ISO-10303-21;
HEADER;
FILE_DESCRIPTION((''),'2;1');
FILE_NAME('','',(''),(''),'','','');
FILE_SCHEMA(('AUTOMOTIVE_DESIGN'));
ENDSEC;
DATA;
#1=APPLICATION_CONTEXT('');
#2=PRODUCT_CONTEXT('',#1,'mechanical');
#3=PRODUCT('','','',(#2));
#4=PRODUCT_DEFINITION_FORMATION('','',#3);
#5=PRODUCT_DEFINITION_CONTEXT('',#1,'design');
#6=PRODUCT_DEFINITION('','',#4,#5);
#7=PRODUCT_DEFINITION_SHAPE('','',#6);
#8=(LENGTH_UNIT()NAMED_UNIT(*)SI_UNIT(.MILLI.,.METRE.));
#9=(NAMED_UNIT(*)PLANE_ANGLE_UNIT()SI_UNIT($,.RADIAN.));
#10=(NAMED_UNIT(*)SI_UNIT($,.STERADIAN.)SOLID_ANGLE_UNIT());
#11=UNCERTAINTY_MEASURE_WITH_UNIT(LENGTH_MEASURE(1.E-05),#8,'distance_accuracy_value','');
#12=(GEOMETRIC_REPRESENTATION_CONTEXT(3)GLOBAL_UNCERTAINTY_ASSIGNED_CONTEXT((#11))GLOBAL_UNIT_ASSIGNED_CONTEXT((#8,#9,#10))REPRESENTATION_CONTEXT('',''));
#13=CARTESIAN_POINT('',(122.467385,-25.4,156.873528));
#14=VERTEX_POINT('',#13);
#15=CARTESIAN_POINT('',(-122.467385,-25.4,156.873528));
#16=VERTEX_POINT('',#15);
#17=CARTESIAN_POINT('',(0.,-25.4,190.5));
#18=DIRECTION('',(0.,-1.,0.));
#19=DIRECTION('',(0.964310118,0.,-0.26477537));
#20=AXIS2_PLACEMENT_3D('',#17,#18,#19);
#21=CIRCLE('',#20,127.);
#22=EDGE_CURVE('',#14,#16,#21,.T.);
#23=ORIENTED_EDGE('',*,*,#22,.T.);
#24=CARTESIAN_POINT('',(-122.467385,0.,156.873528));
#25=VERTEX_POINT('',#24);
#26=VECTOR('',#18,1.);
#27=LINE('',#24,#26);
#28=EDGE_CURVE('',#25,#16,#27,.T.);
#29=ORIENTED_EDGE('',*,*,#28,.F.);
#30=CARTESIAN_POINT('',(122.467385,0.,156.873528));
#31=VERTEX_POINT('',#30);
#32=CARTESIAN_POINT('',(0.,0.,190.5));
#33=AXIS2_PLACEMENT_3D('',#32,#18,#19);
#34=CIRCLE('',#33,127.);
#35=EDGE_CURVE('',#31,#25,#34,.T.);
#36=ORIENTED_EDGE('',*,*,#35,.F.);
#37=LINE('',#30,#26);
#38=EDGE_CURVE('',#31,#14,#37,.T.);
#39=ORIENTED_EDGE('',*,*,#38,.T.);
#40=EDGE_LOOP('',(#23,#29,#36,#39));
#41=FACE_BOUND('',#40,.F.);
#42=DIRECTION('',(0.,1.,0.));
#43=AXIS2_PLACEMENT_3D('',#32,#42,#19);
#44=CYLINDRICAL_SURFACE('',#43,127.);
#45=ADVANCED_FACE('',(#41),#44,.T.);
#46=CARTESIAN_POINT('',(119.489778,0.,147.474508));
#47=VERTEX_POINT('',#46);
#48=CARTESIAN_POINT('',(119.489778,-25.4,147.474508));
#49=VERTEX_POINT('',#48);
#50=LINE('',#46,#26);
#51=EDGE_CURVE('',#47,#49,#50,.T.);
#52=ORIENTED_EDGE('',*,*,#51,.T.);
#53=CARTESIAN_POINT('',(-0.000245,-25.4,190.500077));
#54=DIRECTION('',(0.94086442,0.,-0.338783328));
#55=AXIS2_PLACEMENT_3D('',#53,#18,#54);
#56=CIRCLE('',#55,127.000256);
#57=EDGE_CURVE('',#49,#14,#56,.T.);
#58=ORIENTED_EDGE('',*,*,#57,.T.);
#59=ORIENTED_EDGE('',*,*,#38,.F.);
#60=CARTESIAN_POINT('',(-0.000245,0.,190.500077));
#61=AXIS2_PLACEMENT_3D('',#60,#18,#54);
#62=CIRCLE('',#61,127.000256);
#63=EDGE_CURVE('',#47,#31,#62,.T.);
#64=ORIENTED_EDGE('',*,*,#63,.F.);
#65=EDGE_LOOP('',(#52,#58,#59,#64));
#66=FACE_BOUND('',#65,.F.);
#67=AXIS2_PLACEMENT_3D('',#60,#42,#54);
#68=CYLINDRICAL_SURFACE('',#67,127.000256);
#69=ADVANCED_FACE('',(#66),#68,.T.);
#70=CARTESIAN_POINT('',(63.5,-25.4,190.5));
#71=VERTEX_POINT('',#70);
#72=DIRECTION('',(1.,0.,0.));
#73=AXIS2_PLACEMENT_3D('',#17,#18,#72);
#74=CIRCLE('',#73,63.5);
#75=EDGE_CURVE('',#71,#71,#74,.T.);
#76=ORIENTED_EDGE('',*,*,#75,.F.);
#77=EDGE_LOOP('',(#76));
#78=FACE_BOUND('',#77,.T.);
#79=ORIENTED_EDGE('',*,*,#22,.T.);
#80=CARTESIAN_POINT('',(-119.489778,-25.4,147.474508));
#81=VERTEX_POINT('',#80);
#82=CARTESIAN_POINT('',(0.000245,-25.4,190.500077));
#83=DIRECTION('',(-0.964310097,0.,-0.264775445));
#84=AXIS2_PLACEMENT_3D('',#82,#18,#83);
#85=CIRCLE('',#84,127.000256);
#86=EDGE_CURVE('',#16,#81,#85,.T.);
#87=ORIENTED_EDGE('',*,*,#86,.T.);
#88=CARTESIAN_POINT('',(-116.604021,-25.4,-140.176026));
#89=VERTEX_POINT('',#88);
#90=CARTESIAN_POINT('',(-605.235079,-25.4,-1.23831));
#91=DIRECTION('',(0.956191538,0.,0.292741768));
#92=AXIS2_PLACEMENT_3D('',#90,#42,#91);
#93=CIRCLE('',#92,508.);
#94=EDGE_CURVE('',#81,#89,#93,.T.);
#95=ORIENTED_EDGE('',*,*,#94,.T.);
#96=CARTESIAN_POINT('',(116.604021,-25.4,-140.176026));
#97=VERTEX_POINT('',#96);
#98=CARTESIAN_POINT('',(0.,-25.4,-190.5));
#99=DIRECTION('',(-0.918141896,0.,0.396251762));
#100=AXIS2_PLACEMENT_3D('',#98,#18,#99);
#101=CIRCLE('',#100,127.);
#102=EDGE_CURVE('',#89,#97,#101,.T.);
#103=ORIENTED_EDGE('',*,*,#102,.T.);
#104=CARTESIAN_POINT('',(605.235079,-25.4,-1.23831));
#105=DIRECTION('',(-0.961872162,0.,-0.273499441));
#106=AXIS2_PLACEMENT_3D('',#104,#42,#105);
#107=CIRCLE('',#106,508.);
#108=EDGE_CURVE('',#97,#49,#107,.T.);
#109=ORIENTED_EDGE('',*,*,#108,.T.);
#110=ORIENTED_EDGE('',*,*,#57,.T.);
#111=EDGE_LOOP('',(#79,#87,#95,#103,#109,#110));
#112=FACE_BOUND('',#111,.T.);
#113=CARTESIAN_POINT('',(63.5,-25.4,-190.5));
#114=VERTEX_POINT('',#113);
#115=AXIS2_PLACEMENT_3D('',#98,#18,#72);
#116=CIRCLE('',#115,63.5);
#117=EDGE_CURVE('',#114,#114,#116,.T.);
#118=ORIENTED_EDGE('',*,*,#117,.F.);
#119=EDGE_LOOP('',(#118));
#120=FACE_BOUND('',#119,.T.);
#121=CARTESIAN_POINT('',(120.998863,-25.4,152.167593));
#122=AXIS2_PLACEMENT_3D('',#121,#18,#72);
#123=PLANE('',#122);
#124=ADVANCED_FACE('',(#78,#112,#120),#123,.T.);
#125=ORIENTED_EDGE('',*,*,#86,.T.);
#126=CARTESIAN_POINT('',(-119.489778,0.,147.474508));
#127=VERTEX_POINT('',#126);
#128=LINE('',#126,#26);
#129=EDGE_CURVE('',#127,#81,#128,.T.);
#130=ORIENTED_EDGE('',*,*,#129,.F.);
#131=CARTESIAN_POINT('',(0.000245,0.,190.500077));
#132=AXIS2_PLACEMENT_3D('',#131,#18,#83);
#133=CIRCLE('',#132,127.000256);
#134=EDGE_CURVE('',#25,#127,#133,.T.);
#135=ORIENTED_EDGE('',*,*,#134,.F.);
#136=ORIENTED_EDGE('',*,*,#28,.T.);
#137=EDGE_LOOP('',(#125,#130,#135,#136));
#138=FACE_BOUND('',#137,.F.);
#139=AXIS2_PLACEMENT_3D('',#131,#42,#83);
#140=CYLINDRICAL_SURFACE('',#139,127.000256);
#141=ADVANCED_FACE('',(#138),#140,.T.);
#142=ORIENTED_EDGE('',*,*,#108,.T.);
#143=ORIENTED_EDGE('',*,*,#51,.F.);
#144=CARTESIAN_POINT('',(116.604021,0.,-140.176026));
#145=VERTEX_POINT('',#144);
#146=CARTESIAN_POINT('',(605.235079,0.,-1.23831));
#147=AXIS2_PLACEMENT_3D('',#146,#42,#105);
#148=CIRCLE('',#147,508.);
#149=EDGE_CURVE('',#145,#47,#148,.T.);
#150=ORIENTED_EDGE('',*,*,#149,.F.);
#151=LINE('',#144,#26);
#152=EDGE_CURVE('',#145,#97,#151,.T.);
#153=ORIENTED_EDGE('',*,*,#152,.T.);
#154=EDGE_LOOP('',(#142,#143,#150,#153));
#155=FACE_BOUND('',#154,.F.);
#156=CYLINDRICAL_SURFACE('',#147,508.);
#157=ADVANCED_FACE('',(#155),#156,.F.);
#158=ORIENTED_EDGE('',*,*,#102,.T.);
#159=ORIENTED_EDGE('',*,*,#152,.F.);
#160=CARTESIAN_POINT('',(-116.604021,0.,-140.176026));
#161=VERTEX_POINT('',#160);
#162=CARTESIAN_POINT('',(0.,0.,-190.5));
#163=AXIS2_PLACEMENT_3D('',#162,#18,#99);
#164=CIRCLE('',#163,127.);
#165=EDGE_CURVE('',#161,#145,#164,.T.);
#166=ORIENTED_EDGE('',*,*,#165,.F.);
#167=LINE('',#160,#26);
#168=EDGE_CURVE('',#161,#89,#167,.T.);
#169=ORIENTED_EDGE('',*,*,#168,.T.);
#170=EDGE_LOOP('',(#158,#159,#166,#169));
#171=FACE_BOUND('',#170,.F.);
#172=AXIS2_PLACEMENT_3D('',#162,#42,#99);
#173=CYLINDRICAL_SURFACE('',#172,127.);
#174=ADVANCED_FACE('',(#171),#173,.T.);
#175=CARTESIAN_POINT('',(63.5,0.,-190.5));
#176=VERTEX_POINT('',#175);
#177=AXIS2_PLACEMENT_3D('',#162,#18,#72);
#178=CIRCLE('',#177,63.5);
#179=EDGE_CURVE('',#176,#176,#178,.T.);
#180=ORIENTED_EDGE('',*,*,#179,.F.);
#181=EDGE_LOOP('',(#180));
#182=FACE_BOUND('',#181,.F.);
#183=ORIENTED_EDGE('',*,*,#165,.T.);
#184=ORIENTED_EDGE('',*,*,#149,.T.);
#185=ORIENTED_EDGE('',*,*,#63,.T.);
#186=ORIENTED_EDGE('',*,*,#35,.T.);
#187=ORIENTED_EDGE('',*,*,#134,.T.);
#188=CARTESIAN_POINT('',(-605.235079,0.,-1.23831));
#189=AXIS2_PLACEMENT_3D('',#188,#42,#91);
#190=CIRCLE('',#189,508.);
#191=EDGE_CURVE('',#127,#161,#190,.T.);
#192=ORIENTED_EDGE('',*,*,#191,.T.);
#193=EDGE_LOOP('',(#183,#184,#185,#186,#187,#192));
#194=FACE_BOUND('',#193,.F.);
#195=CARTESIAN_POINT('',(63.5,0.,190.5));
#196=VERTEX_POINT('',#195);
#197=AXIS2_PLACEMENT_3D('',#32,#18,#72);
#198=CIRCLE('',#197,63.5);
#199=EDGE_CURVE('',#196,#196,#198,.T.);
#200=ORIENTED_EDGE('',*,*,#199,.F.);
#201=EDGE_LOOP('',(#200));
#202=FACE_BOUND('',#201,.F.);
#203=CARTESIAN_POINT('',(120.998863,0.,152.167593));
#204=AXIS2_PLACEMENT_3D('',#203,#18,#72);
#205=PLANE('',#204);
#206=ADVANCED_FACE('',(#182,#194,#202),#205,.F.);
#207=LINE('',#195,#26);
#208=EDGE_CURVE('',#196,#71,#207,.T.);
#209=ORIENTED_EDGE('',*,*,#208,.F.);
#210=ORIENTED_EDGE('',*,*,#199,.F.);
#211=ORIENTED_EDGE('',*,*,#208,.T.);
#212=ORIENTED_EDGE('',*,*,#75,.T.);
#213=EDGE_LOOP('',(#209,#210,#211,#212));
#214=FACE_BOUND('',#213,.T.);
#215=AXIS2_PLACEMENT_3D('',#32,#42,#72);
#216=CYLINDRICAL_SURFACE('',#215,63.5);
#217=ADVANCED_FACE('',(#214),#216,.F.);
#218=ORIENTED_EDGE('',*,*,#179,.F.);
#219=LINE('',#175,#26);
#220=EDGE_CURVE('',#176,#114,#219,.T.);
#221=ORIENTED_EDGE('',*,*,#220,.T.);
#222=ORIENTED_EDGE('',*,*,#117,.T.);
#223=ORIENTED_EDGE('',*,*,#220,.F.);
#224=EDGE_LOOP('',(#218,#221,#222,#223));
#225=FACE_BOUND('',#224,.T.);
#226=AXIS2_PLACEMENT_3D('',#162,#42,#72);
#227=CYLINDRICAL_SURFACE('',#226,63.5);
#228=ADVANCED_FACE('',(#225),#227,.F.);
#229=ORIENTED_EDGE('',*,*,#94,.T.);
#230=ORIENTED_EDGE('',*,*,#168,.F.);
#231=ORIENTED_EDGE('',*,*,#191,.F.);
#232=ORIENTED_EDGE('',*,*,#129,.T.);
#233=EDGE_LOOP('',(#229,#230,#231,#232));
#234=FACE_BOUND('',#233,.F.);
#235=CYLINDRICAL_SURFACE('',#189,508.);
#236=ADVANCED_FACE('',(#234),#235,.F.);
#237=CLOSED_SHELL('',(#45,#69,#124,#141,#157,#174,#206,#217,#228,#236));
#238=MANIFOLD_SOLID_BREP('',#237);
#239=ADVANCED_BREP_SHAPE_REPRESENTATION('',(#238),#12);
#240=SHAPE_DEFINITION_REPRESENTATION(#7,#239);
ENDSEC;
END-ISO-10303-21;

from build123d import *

# Parameters (mm, degrees)
F0_R     = 63.5
F1_DEPTH = 25.4


with BuildPart() as f1:
    # F0 (on Front) → F1 (new body)
    with BuildSketch(Plane.XZ):
        with BuildLine():
            ThreePointArc((122.467385, 156.873528), (120.955779, 152.181242), (119.489778, 147.474508))
            ThreePointArc((119.489778, 147.474508), (121.069825, 152.145112), (122.467385, 156.873528))
        make_face()
        with BuildLine():
            ThreePointArc((116.604021, -140.176026), (97.260641, 3.857772), (119.489778, 147.474508))
            ThreePointArc((119.489778, 147.474508), (120.955779, 152.181242), (122.467385, 156.873528))
            ThreePointArc((122.467385, 156.873528), (0, 317.5), (-122.467385, 156.873528))
            ThreePointArc((-122.467385, 156.873528), (-120.955779, 152.181242), (-119.489778, 147.474508))
            ThreePointArc((-119.489778, 147.474508), (-97.260641, 3.857772), (-116.604021, -140.176026))
            ThreePointArc((-116.604021, -140.176026), (0, -317.5), (116.604021, -140.176026))
        make_face()
        with Locations((0, -190.5)):
            Circle(F0_R, mode=Mode.SUBTRACT)
        with Locations((0, 190.5)):
            Circle(F0_R, mode=Mode.SUBTRACT)
        with BuildLine():
            ThreePointArc((-119.489778, 147.474508), (-120.955779, 152.181242), (-122.467385, 156.873528))
            ThreePointArc((-122.467385, 156.873528), (-121.069825, 152.145112), (-119.489778, 147.474508))
        make_face()
    extrude(amount=F1_DEPTH)


solid = f1.part
